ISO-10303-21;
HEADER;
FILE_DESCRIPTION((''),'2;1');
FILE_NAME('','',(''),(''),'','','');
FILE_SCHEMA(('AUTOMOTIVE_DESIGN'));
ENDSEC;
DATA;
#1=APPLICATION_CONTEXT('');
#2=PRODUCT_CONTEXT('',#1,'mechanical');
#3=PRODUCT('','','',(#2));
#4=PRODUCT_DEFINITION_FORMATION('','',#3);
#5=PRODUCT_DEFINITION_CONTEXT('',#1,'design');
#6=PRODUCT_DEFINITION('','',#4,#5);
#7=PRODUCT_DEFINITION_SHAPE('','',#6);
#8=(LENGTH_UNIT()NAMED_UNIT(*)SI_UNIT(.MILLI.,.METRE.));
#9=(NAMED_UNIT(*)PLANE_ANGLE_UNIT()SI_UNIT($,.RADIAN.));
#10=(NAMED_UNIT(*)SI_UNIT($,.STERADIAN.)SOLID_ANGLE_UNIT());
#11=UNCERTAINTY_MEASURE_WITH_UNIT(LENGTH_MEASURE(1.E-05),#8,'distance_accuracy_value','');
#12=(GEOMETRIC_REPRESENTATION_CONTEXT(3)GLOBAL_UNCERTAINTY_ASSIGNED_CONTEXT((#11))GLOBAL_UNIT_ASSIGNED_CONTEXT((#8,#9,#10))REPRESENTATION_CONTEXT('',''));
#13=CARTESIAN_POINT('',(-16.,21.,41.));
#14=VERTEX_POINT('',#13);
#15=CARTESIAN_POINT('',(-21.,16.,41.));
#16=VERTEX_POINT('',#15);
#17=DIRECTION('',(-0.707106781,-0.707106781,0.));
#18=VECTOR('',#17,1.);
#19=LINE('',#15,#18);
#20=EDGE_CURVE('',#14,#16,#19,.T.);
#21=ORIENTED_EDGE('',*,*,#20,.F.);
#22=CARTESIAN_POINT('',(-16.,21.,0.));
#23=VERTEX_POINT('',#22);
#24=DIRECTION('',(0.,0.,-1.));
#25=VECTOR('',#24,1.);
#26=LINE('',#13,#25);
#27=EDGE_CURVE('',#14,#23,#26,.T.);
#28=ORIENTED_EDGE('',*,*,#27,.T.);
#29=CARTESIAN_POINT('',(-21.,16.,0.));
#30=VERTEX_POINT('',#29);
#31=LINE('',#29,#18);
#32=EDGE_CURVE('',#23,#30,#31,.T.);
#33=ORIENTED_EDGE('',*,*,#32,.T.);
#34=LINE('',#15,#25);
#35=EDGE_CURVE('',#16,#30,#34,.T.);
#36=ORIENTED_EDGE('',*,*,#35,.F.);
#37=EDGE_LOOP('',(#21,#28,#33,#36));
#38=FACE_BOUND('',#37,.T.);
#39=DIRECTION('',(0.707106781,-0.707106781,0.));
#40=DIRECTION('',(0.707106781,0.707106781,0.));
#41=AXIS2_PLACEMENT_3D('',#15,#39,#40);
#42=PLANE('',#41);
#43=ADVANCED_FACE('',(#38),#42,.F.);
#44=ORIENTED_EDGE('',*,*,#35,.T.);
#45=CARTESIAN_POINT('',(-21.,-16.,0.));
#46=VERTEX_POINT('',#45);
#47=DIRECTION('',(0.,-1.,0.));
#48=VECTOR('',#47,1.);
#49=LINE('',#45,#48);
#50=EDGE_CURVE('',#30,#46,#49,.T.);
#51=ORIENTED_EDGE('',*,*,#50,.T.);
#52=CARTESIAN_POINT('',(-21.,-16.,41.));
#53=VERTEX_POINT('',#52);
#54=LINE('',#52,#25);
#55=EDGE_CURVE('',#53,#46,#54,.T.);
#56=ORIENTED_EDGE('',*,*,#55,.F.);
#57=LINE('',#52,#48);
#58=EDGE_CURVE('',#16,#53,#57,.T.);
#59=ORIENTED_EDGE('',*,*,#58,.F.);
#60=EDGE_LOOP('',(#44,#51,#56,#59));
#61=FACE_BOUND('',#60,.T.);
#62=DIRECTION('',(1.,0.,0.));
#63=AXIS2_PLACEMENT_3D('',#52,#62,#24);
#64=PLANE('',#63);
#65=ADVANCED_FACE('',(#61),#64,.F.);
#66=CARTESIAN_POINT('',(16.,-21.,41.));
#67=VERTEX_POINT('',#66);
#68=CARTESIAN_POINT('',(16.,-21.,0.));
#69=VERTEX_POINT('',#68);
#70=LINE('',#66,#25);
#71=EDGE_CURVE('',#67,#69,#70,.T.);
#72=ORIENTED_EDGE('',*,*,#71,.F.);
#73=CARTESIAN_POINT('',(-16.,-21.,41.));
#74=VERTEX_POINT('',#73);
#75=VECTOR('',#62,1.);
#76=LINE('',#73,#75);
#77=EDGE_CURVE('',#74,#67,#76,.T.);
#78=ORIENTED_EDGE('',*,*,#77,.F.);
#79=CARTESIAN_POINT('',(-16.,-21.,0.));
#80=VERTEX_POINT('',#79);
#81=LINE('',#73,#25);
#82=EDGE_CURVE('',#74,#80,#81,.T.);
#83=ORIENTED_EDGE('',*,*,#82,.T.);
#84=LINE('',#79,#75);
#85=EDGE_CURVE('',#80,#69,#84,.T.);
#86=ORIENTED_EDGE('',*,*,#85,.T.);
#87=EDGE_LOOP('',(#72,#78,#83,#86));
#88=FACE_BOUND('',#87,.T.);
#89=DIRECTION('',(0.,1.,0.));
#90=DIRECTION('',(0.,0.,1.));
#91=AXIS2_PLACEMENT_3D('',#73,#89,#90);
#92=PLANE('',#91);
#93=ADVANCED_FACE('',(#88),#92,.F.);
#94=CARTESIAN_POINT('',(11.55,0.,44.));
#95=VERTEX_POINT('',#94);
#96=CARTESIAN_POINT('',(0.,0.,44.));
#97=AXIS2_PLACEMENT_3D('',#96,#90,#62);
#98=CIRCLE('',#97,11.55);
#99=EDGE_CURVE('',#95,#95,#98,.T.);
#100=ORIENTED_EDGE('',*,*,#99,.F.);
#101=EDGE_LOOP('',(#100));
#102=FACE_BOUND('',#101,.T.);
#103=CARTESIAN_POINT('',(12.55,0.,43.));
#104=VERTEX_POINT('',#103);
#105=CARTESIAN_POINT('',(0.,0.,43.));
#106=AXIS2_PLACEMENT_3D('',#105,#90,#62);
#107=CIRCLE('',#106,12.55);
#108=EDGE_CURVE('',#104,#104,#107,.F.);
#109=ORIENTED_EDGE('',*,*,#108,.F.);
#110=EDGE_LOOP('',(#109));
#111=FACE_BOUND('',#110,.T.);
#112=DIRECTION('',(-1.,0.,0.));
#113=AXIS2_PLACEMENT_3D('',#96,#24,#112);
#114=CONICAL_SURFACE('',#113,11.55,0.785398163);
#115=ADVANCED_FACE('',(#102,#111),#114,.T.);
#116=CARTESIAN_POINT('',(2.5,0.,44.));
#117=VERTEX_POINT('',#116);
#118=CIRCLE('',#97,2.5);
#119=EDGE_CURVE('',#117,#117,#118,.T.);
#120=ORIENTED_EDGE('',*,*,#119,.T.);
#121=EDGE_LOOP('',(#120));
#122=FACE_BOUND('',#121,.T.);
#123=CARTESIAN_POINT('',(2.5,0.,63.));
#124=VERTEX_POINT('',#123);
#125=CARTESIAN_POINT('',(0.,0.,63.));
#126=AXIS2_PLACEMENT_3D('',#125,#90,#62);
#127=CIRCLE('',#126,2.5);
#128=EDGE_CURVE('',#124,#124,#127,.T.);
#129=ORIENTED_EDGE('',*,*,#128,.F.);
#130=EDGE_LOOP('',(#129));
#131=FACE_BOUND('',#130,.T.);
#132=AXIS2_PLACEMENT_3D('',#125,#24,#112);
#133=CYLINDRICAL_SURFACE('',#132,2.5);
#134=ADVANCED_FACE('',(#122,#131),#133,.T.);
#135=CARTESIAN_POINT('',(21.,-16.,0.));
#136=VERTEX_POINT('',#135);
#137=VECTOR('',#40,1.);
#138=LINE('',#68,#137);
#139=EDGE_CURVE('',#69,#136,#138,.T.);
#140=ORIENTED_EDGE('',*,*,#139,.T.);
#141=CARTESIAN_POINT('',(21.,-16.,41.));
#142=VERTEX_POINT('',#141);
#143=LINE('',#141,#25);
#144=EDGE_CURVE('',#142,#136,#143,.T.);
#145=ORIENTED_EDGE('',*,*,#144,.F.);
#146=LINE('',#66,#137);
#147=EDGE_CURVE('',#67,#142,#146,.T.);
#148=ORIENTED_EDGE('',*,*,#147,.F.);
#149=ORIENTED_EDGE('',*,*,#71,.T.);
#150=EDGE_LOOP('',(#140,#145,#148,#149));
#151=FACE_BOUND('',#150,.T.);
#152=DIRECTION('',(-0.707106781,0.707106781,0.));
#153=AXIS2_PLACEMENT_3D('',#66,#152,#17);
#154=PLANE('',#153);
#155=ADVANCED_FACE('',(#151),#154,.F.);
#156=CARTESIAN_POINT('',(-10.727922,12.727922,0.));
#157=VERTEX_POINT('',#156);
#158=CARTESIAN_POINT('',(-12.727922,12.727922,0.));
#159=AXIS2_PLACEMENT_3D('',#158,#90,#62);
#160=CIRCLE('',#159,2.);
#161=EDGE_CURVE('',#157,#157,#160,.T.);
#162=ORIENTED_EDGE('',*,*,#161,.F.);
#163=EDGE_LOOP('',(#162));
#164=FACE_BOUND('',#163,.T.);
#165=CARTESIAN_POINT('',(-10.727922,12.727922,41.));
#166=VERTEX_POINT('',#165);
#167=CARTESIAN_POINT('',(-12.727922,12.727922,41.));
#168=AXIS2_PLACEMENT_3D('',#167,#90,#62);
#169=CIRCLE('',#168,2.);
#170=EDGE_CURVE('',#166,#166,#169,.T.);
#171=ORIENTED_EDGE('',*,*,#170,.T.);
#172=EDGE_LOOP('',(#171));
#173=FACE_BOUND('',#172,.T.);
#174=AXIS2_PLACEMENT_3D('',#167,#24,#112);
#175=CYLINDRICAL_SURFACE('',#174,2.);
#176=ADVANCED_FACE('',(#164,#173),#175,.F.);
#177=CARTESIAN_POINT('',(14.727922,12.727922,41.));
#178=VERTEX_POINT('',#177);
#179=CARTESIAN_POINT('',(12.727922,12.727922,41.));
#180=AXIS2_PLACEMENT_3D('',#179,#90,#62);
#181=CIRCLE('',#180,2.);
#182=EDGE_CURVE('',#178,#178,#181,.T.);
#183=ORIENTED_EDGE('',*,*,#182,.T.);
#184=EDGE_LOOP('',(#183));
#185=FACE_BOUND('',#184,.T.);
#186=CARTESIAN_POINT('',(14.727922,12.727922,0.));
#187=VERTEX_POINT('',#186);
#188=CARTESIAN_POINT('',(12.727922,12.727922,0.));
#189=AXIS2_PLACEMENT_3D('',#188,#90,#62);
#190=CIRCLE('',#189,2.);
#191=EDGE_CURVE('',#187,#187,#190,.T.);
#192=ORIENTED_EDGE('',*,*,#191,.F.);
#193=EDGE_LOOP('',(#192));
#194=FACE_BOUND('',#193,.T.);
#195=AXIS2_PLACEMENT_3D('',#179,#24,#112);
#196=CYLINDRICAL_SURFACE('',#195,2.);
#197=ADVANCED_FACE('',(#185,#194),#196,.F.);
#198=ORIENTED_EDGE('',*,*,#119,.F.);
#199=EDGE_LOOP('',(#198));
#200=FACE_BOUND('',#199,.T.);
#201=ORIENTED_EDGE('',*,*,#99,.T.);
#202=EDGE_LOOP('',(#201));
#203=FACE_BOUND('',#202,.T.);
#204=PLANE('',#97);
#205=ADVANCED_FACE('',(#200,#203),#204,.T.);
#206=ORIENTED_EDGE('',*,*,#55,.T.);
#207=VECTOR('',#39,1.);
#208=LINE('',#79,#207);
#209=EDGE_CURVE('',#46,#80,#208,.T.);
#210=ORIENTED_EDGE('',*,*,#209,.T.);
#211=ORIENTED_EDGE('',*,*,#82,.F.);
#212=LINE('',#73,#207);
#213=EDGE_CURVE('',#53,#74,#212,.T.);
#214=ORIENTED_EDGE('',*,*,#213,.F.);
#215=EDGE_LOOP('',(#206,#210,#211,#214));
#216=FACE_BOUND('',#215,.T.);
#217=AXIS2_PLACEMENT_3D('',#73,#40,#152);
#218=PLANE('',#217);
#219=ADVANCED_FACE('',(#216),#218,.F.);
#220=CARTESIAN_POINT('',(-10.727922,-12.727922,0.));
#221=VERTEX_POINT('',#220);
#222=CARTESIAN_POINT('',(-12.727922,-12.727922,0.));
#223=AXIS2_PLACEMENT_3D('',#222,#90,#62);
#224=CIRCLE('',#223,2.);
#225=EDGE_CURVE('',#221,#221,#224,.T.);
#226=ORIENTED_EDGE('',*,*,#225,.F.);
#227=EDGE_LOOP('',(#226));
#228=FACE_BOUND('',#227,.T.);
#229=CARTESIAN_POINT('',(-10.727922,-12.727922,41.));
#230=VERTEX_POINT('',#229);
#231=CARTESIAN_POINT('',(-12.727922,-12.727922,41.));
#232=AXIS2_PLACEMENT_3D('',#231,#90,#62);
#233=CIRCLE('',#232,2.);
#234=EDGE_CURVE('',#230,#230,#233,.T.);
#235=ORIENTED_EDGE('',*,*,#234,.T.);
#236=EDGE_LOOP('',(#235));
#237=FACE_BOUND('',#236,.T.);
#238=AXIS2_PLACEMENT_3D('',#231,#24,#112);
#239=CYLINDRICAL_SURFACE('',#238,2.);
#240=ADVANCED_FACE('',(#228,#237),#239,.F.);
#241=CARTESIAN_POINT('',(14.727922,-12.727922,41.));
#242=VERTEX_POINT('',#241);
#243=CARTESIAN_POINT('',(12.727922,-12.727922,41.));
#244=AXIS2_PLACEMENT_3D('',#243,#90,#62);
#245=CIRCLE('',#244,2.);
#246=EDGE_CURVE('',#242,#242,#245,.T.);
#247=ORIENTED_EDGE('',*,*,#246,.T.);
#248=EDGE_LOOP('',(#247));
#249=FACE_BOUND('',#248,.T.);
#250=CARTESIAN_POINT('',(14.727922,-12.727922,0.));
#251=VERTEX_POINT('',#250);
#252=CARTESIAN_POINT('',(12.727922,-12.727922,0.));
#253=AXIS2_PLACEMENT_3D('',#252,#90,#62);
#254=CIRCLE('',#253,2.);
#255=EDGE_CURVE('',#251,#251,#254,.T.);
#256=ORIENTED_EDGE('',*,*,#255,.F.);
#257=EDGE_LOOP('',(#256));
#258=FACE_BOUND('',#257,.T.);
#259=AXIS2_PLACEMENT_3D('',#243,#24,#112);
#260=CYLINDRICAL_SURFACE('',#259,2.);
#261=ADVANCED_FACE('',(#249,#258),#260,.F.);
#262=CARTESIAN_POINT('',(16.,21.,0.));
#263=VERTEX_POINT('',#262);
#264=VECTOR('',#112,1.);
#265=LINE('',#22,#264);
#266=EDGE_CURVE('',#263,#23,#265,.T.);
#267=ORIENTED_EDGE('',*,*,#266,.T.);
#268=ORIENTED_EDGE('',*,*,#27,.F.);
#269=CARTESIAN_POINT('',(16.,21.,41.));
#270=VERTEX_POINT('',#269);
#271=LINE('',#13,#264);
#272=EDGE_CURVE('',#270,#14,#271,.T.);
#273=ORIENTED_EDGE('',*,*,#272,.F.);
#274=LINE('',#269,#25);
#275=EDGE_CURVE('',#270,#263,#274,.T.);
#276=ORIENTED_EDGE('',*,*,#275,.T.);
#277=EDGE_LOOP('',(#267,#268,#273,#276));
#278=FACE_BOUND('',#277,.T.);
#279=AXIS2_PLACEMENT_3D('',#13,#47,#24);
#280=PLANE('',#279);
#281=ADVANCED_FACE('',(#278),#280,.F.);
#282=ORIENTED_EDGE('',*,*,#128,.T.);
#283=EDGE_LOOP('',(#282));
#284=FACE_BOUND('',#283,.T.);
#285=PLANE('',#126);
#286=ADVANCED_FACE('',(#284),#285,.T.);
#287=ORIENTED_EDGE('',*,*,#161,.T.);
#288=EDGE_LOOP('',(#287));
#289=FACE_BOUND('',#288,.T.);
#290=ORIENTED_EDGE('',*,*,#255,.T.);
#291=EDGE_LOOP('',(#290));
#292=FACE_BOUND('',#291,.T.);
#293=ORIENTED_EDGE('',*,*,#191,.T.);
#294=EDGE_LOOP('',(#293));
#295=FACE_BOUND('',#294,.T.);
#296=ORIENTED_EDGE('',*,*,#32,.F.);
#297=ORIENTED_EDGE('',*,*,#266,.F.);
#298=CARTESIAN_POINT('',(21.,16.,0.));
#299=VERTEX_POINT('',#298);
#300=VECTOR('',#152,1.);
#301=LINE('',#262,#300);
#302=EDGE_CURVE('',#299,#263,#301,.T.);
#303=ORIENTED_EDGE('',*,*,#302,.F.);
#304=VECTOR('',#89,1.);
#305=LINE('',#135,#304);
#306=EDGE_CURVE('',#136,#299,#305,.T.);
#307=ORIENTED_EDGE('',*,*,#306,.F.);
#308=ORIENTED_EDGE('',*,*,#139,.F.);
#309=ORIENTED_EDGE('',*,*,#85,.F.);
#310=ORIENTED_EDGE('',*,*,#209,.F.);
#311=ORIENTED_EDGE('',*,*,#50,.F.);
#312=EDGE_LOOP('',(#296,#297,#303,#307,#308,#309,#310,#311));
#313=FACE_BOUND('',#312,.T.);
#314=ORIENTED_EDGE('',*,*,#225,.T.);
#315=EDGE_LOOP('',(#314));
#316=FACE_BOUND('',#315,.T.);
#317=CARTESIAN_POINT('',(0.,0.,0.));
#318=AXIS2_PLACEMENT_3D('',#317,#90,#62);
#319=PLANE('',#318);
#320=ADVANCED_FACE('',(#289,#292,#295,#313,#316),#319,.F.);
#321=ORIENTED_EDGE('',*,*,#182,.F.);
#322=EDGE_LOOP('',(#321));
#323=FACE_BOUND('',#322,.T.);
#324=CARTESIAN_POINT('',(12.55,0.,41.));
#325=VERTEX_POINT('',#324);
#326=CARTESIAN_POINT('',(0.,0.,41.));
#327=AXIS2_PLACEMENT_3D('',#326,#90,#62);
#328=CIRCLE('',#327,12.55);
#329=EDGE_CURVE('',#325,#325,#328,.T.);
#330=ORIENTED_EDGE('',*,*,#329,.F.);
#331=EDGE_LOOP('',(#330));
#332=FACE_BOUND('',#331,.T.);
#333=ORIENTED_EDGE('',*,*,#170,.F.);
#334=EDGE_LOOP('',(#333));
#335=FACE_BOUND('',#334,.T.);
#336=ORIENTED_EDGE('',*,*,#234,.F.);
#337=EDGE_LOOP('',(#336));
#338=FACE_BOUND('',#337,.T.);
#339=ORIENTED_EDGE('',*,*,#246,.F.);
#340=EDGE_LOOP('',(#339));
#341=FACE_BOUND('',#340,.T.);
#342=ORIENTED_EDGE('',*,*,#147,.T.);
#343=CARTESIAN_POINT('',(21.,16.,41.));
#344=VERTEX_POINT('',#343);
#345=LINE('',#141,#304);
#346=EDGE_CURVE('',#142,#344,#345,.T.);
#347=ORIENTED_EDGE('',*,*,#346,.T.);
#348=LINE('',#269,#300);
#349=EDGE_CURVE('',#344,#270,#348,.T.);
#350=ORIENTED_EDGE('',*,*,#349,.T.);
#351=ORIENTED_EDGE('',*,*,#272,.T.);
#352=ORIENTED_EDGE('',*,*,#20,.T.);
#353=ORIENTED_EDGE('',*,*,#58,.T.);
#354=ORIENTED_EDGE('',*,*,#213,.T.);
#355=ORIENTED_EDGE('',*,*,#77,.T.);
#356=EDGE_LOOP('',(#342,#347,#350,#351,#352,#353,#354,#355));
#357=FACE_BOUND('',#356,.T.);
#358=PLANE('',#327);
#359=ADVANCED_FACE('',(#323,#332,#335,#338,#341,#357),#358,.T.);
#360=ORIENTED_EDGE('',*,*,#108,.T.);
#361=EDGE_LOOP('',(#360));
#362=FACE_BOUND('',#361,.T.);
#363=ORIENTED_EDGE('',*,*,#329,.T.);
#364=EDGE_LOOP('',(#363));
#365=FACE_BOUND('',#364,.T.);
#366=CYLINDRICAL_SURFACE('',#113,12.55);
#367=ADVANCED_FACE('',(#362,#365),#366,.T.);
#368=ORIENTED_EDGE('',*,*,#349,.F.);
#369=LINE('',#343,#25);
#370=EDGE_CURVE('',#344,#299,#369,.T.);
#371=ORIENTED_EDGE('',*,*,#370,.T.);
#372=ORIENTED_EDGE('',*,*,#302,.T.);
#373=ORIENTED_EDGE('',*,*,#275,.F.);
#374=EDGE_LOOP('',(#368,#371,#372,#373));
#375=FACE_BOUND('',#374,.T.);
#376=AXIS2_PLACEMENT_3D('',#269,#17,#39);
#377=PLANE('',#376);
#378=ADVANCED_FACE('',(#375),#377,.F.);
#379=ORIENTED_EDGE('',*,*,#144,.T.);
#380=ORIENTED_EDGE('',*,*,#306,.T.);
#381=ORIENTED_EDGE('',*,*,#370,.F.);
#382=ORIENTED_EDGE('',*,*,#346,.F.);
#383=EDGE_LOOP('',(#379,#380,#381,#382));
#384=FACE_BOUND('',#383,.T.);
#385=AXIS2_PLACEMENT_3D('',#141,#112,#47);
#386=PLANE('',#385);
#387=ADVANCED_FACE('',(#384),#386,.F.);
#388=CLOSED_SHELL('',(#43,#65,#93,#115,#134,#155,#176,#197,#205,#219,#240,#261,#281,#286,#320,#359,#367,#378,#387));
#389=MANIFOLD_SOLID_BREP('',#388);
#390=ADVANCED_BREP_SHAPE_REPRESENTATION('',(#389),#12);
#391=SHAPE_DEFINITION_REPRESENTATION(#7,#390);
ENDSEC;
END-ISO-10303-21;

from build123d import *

# Parameters (mm, degrees)
CROQUIS1_R              = 2
SALIENTE_EXTRUIR1_DEPTH = 41
CROQUIS2_R              = 12.55
SALIENTE_EXTRUIR2_DEPTH = 3
CROQUIS3_R              = 2.5
SALIENTE_EXTRUIR3_DEPTH = 19
CHAFL_N1_SIZE           = 1


with BuildPart() as part:
    # Croquis1 → Saliente-Extruir1 (new body)
    with BuildSketch(Plane.XY):
        Polygon((-21, 16), (-16, 21), (16, 21), (21, 16), (21, -16), (16, -21), (-16, -21), (-21, -16), align=None)
        with Locations((12.727922061, 12.727922061)):
            Circle(CROQUIS1_R, mode=Mode.SUBTRACT)
        with Locations((12.727922061, -12.727922061)):
            Circle(CROQUIS1_R, mode=Mode.SUBTRACT)
        with Locations((-12.727922061, -12.727922061)):
            Circle(CROQUIS1_R, mode=Mode.SUBTRACT)
        with Locations((-12.727922061, 12.727922061)):
            Circle(CROQUIS1_R, mode=Mode.SUBTRACT)
    extrude(amount=SALIENTE_EXTRUIR1_DEPTH)

    # Croquis2 → Saliente-Extruir2 (add)
    with BuildSketch(Plane.XY.offset(41)):
        Circle(CROQUIS2_R)
    extrude(amount=SALIENTE_EXTRUIR2_DEPTH)

    # Croquis3 → Saliente-Extruir3 (add)
    with BuildSketch(Plane.XY.offset(44)):
        Circle(CROQUIS3_R)
    extrude(amount=SALIENTE_EXTRUIR3_DEPTH)

    # Chaflán1
    chafl_n1_edges = [part.edges().sort_by_distance(p)[0] for p in [
        (-12.55, 0, 44),
    ]]
    chamfer(chafl_n1_edges, length=CHAFL_N1_SIZE)


solid = part.part
